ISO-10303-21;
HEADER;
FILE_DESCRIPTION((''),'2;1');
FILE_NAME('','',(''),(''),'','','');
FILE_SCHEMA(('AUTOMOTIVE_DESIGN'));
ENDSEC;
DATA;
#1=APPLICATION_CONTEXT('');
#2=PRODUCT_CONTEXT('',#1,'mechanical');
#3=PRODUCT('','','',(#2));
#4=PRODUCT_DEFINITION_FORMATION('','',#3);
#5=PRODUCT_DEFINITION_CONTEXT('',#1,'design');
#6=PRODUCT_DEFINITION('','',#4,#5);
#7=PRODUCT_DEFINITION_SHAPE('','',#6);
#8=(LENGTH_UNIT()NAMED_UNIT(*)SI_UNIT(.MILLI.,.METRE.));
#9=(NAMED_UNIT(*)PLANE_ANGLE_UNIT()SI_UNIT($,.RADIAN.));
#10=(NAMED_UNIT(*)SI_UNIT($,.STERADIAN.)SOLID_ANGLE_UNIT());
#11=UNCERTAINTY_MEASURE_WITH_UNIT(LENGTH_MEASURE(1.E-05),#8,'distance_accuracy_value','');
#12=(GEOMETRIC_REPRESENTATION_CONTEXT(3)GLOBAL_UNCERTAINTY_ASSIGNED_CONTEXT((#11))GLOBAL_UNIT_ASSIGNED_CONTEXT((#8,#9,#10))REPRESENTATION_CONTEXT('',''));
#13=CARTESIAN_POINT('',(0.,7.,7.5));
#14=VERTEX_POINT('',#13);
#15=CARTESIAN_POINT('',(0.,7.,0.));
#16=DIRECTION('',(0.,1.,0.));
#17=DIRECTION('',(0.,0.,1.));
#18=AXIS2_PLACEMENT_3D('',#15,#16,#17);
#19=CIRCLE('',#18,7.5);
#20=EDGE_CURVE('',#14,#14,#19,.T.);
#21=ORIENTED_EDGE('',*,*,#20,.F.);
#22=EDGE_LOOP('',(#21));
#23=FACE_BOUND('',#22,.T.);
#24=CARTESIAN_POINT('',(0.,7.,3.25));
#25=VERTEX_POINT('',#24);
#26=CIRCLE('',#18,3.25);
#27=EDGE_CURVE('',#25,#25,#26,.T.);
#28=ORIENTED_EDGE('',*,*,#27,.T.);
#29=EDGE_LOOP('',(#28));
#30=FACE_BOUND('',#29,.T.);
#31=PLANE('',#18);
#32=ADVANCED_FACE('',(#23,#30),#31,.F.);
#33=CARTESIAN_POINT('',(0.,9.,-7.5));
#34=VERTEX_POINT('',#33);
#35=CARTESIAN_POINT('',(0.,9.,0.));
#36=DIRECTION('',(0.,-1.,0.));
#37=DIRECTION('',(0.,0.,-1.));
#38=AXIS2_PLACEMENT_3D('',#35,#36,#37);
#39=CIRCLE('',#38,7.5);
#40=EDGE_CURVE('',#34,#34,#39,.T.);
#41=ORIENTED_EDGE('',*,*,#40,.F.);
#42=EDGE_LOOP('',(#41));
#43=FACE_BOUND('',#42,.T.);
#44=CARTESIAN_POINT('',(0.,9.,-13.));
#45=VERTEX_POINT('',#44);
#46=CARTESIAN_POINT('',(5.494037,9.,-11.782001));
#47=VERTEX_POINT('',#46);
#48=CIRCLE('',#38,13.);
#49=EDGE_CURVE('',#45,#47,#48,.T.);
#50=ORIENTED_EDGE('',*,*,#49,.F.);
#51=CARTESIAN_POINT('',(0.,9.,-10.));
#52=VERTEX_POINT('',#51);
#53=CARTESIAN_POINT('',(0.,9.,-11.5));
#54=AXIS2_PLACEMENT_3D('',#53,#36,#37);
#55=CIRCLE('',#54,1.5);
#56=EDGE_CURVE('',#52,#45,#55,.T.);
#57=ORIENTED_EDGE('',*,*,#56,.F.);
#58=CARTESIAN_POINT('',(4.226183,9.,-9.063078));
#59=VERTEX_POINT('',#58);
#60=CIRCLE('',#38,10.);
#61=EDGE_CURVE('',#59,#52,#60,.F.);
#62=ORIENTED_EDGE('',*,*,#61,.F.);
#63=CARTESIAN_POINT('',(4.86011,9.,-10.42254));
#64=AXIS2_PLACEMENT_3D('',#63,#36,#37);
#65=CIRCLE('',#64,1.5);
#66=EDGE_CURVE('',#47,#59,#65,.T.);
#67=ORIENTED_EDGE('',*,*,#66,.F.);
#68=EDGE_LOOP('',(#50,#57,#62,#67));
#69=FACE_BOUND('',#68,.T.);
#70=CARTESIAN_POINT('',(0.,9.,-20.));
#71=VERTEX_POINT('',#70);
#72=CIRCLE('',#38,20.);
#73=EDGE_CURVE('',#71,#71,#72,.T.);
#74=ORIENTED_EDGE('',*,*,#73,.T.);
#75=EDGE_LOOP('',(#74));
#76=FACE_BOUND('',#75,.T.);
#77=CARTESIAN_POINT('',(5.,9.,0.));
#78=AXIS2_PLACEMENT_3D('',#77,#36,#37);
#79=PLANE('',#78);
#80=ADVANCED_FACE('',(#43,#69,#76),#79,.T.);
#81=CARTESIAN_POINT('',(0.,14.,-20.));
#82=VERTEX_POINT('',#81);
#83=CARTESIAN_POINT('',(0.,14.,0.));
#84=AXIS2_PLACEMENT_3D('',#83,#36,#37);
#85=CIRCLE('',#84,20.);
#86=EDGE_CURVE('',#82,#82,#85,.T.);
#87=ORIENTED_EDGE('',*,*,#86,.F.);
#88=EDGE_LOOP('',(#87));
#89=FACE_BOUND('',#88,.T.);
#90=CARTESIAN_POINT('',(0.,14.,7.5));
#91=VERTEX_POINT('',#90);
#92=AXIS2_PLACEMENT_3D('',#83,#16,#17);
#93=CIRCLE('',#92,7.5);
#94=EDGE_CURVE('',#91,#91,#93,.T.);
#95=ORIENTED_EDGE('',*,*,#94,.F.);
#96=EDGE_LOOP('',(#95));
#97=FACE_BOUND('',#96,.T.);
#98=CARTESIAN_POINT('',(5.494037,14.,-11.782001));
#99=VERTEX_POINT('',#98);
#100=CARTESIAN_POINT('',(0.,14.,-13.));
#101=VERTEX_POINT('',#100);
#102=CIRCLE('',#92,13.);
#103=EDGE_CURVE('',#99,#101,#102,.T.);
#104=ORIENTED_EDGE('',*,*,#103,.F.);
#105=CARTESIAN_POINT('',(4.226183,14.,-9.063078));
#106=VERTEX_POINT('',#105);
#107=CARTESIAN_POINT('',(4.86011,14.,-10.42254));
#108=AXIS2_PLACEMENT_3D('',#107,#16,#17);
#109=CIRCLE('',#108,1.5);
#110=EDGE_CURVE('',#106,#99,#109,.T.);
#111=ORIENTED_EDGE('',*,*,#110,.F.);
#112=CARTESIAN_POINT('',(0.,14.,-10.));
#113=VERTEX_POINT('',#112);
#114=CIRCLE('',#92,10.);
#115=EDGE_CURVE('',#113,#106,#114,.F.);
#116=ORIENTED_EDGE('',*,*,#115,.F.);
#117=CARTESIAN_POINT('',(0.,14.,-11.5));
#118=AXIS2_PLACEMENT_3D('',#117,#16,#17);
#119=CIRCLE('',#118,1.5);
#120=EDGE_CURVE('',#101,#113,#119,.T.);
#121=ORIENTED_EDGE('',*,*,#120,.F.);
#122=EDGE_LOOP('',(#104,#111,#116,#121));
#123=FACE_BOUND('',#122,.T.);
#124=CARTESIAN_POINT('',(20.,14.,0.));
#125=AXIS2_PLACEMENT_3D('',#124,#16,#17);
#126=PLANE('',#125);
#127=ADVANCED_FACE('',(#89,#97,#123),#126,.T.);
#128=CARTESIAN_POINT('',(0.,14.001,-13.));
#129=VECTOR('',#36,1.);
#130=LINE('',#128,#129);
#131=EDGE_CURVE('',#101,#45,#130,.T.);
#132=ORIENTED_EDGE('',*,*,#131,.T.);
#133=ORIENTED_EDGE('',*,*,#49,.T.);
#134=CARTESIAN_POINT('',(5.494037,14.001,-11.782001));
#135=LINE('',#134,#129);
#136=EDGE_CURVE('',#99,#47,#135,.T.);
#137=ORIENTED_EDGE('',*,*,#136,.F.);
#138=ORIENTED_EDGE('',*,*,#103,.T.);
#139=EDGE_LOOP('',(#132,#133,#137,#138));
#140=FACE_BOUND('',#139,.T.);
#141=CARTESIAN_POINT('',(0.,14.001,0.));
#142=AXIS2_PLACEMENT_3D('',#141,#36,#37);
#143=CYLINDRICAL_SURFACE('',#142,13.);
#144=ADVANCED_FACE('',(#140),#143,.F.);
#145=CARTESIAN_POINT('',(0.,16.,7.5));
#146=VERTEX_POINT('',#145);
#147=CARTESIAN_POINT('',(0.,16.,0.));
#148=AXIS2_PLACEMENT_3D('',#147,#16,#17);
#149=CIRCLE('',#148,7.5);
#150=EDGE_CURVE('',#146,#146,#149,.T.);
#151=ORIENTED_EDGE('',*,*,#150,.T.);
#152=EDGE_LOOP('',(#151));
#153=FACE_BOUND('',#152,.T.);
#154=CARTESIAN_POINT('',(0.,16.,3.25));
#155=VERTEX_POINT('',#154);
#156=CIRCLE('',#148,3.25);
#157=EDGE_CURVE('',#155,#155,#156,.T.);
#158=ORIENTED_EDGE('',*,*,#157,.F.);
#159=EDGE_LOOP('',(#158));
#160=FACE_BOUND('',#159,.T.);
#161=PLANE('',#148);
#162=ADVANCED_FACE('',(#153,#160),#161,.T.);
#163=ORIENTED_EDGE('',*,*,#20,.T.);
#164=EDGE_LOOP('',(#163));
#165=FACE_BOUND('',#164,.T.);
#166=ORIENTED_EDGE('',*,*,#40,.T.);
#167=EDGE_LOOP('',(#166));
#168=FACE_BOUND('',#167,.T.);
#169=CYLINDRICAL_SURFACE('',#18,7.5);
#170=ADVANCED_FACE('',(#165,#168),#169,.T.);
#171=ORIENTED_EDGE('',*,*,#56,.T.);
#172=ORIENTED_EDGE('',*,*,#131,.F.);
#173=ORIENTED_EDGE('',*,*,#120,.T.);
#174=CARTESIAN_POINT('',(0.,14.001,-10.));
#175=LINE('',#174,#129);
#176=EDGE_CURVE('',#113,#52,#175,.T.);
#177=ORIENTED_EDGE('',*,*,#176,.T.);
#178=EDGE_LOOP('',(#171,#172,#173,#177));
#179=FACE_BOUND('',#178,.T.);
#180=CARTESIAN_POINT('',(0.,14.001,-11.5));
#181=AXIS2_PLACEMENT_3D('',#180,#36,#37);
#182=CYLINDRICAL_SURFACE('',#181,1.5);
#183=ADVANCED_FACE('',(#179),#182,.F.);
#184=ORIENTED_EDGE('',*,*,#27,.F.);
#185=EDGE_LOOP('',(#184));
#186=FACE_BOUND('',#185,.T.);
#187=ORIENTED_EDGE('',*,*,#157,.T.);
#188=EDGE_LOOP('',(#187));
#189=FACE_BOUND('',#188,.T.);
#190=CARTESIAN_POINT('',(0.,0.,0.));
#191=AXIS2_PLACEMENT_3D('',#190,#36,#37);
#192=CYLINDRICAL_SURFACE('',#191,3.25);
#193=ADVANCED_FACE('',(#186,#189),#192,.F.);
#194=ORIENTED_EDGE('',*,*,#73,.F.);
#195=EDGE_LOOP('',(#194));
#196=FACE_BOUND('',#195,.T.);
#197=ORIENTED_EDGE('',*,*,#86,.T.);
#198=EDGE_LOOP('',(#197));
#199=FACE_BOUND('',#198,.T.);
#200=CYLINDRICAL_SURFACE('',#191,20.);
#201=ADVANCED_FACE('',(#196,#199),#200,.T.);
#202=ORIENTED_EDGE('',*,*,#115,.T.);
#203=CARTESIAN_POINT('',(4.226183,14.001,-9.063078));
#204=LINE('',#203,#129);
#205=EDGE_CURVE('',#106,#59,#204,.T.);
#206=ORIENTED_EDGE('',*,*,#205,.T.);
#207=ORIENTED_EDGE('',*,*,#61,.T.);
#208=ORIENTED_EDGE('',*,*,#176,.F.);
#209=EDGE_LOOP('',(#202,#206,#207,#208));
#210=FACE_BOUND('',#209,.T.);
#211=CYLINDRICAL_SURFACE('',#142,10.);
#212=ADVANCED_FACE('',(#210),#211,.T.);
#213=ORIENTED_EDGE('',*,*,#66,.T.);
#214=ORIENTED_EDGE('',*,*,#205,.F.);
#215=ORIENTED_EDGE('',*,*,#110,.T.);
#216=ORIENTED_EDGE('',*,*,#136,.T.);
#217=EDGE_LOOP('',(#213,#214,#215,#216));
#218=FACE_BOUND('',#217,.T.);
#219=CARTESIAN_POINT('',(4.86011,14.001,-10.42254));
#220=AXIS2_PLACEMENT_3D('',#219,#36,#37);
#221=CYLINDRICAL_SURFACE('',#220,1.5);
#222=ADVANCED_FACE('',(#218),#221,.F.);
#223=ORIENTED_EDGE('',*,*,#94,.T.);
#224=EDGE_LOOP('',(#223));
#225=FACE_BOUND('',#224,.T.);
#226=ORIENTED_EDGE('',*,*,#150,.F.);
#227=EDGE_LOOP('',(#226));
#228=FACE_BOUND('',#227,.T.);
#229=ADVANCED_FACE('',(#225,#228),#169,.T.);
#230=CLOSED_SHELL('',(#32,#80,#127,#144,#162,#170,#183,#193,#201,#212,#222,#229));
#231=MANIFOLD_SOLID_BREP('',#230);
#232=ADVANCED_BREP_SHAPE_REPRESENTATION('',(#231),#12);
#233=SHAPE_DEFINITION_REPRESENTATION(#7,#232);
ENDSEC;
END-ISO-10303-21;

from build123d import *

# Parameters (mm, degrees)
CORTE_EXTRUS_O3_REACH         = 16
ESBO_O4_R                     = 7.5
ESBO_O4_R_2                   = 3.25
RESSALTO_EXTRUS_O1_DEPTH      = 2
RESSALTO_EXTRUS_O1_DEPTH_BACK = 7


with BuildPart() as part:
    # Esboço1 → Revolução1 (revolve)
    with BuildSketch(Plane.XY):
        Polygon((3.25, 14), (3.25, 11.5), (5, 11.5), (5, 9), (20, 9), (20, 14), align=None)
    revolve(axis=Axis((0, 0, 0), (0, 1, 0)))

    # Esboço2 → Corte-extrusão3 (cut, up to next)
    with BuildSketch(Plane(origin=(0, 0, 0), x_dir=(1, 0, 0), z_dir=(0, 1, 0)), mode=Mode.PRIVATE) as corte_extrus_o3_sk1:
        with BuildLine():
            ThreePointArc((4.226182617, 9.06307787), (2.164396139, 9.762960071), (0, 10))
            ThreePointArc((0, 10), (-1.5, 11.5), (0, 13))
            ThreePointArc((0, 13), (2.813714981, 12.691848093), (5.494037403, 11.782001231))
            ThreePointArc((5.494037403, 11.782001231), (6.219571691, 9.788612158), (4.226182617, 9.06307787))
        make_face()
    corte_extrus_o3_tool1 = extrude(corte_extrus_o3_sk1.sketch, amount=CORTE_EXTRUS_O3_REACH, mode=Mode.PRIVATE) & part.part
    add(corte_extrus_o3_tool1.solids().sort_by_distance((2.456799, 0, -11.081905))[0], mode=Mode.SUBTRACT)

    # Esboço4 → Ressalto-extrusão1 (add, two sides)
    with BuildSketch(Plane(origin=(0, 14, 0), x_dir=(1, 0, 0), z_dir=(0, 1, 0))) as ressalto_extrus_o1_sk:
        Circle(ESBO_O4_R)
        Circle(ESBO_O4_R_2, mode=Mode.SUBTRACT)
    extrude(amount=RESSALTO_EXTRUS_O1_DEPTH)
    extrude(ressalto_extrus_o1_sk.sketch, amount=-RESSALTO_EXTRUS_O1_DEPTH_BACK)


solid = part.part
